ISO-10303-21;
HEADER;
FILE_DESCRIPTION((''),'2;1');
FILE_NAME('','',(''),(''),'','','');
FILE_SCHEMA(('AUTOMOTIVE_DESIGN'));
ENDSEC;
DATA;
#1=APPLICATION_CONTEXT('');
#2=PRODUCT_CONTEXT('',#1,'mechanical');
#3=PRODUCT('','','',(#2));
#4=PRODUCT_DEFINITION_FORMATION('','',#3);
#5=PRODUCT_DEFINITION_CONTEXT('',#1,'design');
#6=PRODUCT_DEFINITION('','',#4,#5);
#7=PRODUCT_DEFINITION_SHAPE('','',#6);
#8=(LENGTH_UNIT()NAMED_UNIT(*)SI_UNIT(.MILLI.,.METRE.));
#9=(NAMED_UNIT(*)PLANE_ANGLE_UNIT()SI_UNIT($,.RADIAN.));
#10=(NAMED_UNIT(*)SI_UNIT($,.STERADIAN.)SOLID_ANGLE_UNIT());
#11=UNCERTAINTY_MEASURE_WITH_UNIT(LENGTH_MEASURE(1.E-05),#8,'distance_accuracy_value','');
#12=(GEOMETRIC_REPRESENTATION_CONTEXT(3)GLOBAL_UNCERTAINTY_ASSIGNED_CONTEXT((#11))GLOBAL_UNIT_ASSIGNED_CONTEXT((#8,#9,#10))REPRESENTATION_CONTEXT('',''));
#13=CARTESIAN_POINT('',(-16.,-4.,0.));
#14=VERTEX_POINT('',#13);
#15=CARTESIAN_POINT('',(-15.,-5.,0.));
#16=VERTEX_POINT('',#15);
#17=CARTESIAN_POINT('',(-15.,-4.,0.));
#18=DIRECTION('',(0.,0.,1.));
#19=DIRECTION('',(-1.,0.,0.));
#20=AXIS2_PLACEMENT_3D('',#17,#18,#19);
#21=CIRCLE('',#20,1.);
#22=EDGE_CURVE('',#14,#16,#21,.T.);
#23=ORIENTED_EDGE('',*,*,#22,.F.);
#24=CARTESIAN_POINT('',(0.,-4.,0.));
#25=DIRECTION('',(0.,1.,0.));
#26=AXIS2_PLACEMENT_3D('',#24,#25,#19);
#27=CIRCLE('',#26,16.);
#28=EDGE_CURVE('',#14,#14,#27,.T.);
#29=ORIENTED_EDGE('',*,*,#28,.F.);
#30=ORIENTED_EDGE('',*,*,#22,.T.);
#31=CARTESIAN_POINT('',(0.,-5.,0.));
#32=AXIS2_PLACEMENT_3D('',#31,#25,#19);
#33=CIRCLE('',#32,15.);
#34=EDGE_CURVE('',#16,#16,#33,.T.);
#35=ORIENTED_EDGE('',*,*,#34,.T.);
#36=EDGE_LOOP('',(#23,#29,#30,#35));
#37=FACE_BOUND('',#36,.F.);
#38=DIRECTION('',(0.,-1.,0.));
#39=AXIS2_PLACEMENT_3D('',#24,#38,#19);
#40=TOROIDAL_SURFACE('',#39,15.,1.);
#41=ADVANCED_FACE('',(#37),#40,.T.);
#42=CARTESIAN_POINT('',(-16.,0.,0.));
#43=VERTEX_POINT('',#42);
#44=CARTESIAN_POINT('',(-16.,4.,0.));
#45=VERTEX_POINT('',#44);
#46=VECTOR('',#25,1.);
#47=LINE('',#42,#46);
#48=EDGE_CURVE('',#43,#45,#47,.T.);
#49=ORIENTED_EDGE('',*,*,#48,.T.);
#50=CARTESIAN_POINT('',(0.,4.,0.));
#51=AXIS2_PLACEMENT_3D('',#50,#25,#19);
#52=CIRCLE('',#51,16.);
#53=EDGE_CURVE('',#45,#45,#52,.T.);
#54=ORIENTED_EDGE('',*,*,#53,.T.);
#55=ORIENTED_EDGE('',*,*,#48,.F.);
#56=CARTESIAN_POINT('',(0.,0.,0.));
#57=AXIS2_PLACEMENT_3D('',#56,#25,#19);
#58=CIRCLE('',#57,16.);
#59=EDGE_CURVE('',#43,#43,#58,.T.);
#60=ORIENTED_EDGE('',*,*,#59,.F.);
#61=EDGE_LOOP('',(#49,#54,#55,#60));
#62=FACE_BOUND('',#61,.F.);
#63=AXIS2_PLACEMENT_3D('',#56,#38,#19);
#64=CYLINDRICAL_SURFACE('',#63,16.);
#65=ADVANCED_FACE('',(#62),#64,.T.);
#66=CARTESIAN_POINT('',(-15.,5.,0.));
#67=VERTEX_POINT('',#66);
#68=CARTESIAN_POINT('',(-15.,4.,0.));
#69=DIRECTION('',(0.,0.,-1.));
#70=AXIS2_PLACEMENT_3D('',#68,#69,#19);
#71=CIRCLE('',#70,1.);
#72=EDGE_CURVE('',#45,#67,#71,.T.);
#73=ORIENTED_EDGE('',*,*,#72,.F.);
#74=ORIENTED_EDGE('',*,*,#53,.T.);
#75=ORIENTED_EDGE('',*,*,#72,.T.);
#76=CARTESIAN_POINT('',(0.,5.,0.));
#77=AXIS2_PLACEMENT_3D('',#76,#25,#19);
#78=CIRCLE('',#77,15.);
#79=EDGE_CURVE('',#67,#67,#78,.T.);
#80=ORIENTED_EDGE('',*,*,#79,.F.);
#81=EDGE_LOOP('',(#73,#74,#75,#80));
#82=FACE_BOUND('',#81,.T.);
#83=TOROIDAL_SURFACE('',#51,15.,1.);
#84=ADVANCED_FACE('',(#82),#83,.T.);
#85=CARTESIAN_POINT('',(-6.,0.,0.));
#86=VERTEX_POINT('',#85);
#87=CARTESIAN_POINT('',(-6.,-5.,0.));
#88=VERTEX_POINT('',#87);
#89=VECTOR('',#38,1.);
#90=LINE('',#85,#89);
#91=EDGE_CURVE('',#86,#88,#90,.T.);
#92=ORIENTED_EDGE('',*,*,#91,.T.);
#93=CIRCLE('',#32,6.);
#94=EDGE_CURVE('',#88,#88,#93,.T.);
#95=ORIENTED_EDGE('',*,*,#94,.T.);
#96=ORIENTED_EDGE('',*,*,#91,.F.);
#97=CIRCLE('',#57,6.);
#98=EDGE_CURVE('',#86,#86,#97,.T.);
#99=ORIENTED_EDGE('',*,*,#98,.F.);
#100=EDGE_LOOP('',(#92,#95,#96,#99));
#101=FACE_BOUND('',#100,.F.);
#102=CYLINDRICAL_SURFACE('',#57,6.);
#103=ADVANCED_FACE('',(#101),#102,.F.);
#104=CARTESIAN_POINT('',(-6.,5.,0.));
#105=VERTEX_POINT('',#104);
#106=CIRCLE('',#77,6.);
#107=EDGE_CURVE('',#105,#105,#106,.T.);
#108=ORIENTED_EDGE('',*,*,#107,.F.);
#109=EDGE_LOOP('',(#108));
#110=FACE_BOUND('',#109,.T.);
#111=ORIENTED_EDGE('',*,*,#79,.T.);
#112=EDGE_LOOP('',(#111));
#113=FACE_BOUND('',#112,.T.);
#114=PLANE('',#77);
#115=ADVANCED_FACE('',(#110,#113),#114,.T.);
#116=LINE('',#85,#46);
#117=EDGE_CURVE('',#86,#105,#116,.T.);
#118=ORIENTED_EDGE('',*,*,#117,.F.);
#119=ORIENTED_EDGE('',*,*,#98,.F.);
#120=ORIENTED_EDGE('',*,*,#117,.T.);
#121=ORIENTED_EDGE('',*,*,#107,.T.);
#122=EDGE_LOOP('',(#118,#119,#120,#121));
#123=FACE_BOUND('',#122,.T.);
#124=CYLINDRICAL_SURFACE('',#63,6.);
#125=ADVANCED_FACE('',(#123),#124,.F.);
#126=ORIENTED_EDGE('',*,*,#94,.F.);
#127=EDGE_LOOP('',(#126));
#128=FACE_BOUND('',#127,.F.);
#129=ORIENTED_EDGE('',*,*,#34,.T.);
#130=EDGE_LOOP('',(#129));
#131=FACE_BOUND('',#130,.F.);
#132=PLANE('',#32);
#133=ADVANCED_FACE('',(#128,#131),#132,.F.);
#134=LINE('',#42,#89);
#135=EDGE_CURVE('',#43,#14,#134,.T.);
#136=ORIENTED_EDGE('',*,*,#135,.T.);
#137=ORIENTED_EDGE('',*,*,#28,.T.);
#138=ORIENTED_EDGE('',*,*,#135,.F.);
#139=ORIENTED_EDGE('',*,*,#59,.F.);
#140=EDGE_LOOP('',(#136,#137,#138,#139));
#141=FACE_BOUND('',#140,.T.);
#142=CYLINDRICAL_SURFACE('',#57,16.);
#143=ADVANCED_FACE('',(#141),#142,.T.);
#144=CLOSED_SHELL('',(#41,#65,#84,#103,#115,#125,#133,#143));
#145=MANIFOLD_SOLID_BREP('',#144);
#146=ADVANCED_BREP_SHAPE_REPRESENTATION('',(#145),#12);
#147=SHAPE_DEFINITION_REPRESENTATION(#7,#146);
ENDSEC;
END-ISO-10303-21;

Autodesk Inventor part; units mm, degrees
ref_plane "YZ Plane" through (0, 0, 0) normal (1, 0, 0) x (0, 1, 0)
ref_plane "XZ Plane" through (0, 0, 0) normal (0, 1, 0) x (-1, 0, 0)
ref_plane "XY Plane" through (0, 0, 0) normal (0, 0, 1) x (1, 0, 0)
sketch "スケッチ1" plane through (0, 0, 0) normal (0, 1, 0) x (-1, 0, 0)
  circle A0 centre (0, 0) radius 16
  circle A1 centre (0, 0) radius 6
  dimension "d0" = 32
  dimension "d1" = 12
extrude "押し出し1" add sketch "スケッチ1" along normal mid plane 10
fillet "フィレット1" radius 1 2 edges at (16, 5, 0) (16, -5, 0)
properties part number "NTN_7201DF"
